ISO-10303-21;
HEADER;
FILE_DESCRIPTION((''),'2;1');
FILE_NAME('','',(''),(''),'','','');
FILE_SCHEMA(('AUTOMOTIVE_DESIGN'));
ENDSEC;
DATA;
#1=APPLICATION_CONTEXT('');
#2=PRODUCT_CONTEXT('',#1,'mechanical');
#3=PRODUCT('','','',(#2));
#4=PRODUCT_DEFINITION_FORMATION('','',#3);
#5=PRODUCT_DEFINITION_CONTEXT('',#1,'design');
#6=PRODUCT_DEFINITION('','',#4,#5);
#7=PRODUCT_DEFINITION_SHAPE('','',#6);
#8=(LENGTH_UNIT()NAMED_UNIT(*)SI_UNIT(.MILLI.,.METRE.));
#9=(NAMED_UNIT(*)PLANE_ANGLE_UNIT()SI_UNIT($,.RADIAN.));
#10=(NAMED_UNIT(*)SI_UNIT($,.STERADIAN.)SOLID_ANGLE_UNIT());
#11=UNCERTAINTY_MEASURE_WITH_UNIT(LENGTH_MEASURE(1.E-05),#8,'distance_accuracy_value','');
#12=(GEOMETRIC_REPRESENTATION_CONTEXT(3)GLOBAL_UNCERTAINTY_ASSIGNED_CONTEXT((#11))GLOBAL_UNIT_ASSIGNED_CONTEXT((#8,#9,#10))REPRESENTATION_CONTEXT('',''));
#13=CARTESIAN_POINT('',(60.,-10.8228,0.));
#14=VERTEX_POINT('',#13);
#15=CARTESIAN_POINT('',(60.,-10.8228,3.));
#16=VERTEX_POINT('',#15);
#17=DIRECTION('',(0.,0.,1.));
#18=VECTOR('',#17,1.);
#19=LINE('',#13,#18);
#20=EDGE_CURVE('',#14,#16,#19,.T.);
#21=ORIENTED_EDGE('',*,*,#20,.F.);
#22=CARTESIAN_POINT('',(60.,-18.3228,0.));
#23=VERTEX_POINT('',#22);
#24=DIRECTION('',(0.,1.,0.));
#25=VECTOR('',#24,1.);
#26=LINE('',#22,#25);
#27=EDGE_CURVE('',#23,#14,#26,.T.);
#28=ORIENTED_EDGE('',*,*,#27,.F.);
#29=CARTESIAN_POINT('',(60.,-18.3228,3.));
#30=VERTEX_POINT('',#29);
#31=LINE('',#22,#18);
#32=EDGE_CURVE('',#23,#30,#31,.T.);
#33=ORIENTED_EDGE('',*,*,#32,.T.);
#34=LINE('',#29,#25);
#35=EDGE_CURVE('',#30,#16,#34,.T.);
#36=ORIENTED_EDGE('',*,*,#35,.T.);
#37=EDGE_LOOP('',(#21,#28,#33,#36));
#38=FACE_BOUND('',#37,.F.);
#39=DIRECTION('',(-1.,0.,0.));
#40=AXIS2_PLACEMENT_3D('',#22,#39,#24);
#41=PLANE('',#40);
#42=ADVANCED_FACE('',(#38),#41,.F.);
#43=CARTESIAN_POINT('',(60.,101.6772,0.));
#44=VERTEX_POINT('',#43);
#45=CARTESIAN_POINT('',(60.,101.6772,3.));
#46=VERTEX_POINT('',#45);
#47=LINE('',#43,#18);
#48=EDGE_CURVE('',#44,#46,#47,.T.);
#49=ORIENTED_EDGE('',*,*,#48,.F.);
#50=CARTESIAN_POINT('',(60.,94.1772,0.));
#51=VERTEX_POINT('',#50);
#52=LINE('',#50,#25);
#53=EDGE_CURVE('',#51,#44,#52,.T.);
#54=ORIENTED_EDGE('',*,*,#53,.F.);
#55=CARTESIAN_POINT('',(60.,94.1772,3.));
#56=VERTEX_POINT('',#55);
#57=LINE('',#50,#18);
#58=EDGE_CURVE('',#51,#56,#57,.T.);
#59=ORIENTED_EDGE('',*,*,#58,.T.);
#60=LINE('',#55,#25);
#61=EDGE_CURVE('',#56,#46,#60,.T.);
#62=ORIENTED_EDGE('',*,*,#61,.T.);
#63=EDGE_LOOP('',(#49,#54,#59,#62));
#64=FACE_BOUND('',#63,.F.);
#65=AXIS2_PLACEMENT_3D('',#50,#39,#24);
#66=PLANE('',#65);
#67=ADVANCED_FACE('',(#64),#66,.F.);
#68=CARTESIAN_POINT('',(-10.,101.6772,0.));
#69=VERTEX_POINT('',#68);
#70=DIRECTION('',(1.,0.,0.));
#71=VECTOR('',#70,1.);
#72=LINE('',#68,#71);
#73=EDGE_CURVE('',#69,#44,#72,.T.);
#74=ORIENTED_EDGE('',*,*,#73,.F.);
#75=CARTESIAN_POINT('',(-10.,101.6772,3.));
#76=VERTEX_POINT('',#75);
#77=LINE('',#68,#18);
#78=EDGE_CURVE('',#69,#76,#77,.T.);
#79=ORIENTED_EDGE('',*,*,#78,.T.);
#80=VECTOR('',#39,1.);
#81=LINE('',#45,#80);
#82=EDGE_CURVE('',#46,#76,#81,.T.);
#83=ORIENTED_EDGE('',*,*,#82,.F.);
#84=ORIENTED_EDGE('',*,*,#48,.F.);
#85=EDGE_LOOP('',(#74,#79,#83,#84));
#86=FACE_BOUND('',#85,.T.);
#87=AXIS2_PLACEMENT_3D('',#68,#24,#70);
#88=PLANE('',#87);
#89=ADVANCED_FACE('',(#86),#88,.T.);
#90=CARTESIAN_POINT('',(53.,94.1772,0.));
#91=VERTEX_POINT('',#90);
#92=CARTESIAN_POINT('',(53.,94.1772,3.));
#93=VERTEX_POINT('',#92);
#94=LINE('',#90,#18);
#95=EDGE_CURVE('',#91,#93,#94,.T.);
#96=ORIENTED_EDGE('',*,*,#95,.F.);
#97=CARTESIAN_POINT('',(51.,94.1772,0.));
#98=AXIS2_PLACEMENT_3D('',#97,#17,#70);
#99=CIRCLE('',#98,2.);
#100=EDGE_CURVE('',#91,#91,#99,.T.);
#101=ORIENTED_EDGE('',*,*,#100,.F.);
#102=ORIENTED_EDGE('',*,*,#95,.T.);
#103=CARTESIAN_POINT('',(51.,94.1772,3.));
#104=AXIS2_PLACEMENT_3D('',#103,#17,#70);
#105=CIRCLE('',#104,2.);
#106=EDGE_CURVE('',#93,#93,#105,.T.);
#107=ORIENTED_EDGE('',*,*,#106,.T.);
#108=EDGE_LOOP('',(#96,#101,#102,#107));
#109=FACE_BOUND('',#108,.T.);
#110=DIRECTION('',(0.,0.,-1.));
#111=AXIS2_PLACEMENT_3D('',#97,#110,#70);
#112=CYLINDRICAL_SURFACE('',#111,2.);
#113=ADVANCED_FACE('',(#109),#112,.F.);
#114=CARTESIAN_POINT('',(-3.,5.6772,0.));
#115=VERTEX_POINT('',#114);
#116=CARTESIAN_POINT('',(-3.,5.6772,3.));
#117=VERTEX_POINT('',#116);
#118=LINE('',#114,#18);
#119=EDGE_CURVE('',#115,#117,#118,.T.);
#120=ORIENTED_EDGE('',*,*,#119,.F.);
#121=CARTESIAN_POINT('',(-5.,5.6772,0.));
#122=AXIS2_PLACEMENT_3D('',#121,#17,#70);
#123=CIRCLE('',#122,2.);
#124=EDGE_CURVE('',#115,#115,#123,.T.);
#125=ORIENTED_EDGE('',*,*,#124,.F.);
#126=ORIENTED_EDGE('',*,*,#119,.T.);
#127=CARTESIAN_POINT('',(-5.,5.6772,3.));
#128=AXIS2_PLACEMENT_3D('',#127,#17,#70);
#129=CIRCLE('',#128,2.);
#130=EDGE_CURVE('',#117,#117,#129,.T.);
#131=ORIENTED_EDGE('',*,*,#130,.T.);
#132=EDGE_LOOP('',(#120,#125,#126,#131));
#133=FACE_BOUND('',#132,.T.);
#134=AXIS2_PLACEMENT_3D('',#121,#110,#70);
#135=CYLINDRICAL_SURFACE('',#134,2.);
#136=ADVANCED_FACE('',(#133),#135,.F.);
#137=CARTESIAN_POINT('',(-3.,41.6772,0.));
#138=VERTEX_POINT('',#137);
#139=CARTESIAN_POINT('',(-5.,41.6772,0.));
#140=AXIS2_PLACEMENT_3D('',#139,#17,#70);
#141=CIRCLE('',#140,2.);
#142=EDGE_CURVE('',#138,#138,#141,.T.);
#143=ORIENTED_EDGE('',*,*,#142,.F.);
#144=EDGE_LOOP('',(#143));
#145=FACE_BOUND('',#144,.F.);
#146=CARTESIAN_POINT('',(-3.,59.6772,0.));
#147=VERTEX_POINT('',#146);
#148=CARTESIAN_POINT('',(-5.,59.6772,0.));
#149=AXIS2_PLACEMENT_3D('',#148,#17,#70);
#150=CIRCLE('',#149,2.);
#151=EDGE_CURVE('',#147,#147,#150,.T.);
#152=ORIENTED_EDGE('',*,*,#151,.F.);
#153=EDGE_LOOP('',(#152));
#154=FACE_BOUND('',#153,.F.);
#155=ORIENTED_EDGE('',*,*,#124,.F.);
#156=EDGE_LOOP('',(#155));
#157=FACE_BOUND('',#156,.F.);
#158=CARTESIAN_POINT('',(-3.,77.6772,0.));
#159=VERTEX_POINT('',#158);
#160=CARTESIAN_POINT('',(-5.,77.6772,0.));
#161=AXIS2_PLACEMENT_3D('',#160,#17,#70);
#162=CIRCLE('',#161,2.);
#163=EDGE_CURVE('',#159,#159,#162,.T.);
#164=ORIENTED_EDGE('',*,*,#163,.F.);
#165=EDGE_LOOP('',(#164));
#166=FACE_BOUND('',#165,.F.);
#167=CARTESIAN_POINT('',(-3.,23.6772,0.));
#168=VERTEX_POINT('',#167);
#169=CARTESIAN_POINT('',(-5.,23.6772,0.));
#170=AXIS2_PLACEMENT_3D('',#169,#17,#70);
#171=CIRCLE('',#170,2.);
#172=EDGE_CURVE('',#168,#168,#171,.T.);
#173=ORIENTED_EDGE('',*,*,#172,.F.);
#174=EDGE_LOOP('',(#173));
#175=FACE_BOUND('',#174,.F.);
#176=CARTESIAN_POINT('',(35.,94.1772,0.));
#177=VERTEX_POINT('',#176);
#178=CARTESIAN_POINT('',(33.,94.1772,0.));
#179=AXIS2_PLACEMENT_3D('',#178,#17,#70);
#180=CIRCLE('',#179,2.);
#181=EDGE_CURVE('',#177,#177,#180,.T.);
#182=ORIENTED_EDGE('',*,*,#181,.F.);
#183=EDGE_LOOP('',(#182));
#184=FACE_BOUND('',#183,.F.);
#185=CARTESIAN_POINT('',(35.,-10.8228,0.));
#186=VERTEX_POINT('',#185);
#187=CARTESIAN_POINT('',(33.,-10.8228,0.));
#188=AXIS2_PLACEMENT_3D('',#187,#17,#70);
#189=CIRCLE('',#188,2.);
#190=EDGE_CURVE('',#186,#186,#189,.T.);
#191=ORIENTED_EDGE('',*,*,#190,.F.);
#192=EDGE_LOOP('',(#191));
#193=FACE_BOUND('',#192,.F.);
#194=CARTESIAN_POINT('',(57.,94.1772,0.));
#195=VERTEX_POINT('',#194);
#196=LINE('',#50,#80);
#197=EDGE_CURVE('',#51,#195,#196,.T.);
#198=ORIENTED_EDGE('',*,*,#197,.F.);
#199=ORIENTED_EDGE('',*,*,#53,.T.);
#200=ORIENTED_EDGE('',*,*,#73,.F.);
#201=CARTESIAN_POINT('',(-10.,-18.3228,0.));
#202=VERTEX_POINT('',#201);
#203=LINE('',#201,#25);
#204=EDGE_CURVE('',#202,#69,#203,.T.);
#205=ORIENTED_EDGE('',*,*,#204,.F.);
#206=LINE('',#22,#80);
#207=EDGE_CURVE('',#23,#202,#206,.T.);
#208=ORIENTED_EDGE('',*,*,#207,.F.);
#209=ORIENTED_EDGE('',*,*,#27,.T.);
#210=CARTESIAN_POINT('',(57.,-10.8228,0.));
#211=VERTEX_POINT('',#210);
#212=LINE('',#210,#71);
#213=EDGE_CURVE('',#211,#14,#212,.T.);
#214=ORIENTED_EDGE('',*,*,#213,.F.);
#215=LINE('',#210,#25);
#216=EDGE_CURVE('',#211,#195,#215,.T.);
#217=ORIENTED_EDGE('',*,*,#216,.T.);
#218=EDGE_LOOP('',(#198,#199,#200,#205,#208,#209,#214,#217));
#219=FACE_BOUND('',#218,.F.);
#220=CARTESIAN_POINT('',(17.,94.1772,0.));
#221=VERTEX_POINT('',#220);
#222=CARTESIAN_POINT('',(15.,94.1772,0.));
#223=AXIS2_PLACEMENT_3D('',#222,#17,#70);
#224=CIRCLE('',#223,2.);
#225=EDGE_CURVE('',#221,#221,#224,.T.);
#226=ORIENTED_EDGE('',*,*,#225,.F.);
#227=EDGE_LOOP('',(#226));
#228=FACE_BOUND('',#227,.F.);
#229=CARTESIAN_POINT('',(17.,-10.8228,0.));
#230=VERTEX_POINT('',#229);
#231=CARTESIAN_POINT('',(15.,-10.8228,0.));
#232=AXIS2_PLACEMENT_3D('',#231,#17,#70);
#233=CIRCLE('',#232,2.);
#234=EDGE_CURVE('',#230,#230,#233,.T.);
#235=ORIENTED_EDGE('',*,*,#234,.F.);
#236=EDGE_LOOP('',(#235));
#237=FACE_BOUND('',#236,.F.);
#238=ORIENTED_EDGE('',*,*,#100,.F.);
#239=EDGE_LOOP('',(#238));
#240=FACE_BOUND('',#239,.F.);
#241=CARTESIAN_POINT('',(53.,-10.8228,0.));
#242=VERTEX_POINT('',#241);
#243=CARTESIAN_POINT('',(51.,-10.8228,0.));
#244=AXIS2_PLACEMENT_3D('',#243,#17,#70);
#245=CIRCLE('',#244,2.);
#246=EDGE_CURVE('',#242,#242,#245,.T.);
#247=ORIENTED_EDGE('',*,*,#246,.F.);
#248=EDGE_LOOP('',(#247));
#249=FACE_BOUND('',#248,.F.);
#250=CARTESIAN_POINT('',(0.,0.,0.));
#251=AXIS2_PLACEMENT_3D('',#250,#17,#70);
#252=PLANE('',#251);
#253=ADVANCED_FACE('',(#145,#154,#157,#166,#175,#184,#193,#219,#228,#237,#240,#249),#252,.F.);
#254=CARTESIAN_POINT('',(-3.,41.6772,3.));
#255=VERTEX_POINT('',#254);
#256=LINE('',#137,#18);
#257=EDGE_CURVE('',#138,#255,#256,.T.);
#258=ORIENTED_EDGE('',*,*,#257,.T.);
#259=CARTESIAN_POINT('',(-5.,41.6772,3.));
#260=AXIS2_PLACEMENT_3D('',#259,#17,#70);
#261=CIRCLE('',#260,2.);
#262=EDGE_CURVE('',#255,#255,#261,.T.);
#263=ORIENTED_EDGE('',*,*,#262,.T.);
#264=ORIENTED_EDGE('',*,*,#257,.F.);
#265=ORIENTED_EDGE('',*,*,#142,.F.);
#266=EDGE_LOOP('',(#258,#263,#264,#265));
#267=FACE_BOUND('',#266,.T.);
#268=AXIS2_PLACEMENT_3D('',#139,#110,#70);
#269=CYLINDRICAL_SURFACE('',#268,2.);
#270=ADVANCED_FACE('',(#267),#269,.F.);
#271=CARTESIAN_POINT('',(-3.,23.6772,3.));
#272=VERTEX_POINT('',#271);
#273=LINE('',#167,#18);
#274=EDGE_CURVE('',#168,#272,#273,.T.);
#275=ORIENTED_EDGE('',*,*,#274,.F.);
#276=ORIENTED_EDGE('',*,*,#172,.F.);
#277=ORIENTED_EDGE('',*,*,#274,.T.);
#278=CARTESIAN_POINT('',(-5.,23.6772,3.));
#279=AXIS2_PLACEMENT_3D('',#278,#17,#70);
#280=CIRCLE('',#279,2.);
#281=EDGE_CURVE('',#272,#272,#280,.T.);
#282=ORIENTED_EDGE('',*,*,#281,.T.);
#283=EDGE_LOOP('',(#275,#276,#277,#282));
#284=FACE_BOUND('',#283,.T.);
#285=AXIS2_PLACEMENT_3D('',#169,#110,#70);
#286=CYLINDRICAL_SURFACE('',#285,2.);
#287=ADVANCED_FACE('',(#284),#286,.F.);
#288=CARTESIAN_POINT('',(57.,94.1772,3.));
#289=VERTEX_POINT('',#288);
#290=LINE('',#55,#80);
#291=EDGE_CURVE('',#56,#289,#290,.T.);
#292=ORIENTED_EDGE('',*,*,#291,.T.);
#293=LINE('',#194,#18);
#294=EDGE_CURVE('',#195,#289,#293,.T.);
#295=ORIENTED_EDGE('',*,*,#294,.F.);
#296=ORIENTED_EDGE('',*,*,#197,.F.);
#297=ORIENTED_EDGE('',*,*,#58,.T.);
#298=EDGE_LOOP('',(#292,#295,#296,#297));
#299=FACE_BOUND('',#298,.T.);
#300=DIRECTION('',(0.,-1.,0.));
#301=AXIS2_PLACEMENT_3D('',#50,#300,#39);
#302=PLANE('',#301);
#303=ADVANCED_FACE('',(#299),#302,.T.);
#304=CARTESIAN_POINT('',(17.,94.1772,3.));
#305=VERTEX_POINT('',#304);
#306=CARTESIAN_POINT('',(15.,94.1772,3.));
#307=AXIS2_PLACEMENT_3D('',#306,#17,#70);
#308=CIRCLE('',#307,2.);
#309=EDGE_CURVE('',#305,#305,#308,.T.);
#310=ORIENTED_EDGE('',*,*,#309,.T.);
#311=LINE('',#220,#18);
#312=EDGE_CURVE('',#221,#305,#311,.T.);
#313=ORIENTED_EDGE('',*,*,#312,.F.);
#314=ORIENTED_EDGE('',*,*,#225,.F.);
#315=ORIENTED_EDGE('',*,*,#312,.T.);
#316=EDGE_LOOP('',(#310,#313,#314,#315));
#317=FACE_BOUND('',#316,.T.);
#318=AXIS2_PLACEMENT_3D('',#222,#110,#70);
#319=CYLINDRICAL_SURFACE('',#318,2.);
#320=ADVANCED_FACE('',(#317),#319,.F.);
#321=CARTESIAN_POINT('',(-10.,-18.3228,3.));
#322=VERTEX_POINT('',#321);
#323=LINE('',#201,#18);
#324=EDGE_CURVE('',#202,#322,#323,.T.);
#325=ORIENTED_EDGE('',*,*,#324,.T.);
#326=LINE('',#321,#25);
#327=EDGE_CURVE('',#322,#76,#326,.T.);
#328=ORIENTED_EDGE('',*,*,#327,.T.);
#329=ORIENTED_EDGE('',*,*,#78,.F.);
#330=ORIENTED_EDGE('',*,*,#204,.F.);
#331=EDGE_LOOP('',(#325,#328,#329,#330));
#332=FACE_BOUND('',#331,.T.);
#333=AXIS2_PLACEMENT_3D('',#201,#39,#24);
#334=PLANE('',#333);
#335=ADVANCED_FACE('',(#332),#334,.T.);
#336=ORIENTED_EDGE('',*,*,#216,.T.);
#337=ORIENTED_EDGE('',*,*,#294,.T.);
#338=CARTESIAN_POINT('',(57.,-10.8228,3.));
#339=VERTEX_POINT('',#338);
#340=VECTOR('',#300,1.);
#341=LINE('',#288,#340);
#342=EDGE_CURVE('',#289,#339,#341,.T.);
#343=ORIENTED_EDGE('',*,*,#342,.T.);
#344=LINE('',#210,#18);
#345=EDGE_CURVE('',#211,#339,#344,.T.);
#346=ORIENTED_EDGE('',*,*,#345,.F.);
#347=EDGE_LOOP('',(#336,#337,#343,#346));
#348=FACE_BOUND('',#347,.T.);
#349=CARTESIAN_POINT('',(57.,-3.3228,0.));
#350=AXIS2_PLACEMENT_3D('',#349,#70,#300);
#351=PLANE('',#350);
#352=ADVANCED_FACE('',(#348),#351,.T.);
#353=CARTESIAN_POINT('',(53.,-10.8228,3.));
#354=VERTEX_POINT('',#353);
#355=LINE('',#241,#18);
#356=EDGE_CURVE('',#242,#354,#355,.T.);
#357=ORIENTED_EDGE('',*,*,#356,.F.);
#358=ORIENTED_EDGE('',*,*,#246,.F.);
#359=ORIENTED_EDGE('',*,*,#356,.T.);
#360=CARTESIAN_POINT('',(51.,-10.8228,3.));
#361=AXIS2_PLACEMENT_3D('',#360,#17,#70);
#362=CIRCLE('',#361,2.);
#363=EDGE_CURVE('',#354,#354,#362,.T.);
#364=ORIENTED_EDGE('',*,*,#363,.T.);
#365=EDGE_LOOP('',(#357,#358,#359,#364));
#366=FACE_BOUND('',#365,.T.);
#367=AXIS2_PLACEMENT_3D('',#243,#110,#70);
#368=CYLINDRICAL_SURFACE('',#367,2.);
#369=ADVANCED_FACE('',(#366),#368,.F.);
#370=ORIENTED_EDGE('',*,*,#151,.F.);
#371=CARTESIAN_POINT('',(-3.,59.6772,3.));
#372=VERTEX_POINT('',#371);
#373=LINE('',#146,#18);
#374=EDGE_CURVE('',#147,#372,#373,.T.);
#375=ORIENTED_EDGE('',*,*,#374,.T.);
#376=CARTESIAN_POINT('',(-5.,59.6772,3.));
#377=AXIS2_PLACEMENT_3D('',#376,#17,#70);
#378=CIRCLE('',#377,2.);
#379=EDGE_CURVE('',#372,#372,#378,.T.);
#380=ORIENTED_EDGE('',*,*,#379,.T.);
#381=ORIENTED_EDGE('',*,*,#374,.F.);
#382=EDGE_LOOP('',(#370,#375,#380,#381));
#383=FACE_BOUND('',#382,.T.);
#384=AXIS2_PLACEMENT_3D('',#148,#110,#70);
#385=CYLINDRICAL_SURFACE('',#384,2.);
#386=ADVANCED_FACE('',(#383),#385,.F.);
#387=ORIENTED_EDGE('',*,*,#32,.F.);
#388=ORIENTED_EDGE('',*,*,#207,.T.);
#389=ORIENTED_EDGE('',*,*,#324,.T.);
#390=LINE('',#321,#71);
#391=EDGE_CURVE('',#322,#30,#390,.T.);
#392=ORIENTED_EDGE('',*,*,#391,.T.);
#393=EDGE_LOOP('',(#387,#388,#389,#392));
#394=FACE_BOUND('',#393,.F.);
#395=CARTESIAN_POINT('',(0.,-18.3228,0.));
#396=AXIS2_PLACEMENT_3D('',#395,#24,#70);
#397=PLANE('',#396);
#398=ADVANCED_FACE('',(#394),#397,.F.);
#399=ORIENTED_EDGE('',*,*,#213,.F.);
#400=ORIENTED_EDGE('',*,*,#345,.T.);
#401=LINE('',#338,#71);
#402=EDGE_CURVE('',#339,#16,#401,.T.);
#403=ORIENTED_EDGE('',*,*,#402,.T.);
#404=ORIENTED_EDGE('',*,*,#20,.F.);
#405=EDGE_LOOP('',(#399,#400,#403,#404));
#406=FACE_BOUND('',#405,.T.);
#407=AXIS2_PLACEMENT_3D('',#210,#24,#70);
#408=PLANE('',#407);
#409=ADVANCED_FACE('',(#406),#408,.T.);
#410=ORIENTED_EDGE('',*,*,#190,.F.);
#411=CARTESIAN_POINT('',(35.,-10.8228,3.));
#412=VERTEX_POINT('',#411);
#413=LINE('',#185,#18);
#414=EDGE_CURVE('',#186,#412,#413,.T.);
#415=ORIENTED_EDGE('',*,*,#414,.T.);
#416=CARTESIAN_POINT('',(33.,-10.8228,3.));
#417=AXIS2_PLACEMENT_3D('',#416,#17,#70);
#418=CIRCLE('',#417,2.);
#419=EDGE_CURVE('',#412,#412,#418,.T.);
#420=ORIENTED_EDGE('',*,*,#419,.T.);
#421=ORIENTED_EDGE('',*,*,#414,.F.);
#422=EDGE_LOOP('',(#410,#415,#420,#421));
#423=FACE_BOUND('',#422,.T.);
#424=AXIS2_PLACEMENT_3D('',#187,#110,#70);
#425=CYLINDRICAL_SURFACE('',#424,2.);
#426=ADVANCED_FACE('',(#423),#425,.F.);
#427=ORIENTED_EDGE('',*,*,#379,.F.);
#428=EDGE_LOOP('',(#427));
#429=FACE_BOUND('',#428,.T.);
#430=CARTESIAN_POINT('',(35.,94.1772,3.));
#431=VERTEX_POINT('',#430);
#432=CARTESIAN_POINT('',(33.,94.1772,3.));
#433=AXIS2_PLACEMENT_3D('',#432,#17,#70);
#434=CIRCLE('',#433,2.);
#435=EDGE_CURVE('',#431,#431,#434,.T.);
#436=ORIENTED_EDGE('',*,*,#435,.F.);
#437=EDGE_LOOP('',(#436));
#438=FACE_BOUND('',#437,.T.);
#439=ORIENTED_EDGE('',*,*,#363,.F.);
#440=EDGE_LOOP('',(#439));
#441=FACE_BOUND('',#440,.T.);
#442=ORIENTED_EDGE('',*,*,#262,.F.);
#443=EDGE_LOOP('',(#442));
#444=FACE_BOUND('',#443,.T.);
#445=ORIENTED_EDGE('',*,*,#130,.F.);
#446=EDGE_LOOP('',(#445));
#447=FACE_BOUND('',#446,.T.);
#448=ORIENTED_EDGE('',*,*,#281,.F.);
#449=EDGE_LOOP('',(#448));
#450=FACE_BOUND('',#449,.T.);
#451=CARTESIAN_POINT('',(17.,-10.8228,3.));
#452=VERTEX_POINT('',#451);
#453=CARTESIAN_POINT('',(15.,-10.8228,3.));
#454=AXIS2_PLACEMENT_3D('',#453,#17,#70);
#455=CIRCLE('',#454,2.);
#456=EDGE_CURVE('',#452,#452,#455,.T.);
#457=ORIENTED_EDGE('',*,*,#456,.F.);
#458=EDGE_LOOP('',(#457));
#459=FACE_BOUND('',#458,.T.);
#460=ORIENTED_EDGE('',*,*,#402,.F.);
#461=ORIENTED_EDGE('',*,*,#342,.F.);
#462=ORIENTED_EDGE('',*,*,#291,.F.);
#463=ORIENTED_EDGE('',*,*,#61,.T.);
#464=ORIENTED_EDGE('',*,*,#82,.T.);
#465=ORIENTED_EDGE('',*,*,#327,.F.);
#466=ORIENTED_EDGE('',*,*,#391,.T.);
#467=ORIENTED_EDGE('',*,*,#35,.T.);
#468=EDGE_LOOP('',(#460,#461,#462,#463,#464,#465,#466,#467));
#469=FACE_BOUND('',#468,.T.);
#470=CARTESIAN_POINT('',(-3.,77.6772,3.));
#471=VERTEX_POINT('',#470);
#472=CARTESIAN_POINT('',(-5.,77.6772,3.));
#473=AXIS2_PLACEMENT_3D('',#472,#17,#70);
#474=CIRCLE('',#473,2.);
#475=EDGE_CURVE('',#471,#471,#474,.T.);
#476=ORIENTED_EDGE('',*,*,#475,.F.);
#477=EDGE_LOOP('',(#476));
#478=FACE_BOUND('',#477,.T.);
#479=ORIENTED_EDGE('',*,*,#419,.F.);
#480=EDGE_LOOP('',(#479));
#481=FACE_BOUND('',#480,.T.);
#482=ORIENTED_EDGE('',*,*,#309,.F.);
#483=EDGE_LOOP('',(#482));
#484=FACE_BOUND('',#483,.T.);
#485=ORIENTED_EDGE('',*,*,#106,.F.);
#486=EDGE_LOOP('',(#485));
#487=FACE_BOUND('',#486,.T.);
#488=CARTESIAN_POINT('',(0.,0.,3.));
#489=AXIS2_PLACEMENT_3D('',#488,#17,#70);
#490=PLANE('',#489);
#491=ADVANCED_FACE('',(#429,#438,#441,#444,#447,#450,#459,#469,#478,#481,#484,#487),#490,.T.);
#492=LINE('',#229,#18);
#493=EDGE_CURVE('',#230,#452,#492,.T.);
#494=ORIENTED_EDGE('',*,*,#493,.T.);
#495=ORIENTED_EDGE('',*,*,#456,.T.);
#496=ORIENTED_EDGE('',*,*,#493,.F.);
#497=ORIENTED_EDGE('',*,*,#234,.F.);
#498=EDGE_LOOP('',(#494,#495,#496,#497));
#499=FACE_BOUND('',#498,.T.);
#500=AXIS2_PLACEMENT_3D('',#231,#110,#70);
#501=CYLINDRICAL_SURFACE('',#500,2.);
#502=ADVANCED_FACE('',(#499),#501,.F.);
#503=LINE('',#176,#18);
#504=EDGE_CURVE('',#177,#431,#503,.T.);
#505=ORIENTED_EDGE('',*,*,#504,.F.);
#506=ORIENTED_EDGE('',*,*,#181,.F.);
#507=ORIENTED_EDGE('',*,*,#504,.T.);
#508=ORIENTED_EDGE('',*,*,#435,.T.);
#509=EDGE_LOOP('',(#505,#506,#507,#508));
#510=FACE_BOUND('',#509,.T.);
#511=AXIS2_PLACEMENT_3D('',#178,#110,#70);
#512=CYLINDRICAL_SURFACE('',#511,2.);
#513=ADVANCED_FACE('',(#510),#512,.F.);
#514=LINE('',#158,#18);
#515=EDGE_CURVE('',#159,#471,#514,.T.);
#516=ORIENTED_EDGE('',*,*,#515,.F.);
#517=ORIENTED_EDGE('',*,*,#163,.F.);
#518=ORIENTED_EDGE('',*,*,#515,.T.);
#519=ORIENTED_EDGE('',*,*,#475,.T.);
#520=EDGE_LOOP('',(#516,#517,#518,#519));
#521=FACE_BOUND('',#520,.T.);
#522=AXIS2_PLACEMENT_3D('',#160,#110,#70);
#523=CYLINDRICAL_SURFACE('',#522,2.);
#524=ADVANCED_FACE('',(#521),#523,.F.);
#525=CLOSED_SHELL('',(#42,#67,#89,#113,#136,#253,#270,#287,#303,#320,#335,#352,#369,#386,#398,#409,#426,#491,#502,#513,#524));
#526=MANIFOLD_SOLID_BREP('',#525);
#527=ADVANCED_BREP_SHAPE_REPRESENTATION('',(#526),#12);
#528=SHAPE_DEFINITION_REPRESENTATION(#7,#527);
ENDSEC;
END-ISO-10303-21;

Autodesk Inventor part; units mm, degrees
ref_plane "YZ Plane" through (0, 0, 0) normal (1, 0, 0) x (0, 1, 0)
ref_plane "XZ Plane" through (0, 0, 0) normal (0, 1, 0) x (-1, 0, 0)
ref_plane "XY Plane" through (0, 0, 0) normal (0, 0, 1) x (1, 0, 0)
sketch "Sketch3" plane through (0, 0, 0) normal (0, 0, 1) x (1, 0, 0)
  circle A0 centre (51, -10.8228) radius 2 projected
  circle A1 centre (33, -10.8228) radius 2 projected
  circle A2 centre (15, -10.8228) radius 2 projected
  line L0 (0, -18.3228) -> (60, -18.3228) projected
  line L1 (0, -18.3228) -> (0, -13.3228) projected
  line L2 (10, -13.3228) -> (0, -13.3228) projected
  line L3 (10, -3.3228) -> (10, -13.3228) projected
  line L4 (10, -3.3228) -> (57, -3.3228) projected
  line L5 (60, -18.3228) -> (60, -10.8228) projected
  circle A3 centre (-5, 77.6772) radius 2 projected
  circle A4 centre (-5, 59.6772) radius 2 projected
  circle A5 centre (-5, 23.6772) radius 2 projected
  circle A6 centre (-5, 5.6772) radius 2 projected
  circle A7 centre (-5, 41.6772) radius 2 projected
  line L6 (-10, -18.3228) -> (-10, 101.6772) projected
  line L7 (-10, 101.6772) -> (0, 101.6772) projected
  line L8 (0, 96.6772) -> (0, 101.6772) projected
  line L9 (0, 96.6772) -> (10, 96.6772) projected
  line L10 (10, -13.3228) -> (10, 96.6772) projected
  line L11 (0, -13.3228) -> (10, -13.3228) projected
  line L12 (0, -18.3228) -> (0, -13.3228) projected
  line L13 (-10, -18.3228) -> (0, -18.3228) projected
  circle A8 centre (51, 94.1772) radius 2 projected
  circle A9 centre (33, 94.1772) radius 2 projected
  circle A10 centre (15, 94.1772) radius 2 projected
  line L14 (0, 101.6772) -> (60, 101.6772) projected
  line L15 (60, 94.1772) -> (60, 101.6772) projected
  line L16 (10, 86.6772) -> (57, 86.6772) projected
  line L17 (10, 96.6772) -> (10, 86.6772) projected
  line L18 (0, 96.6772) -> (10, 96.6772) projected
  line L19 (0, 101.6772) -> (0, 96.6772) projected
  line L20 (57, -10.8228) -> (60, -10.8228) projected
  line L21 (57, -3.3228) -> (57, -10.8228) projected
  line L22 (60, 94.1772) -> (57, 94.1772) projected
  line L23 (57, 94.1772) -> (57, 86.6772) projected
  line L24 (57, 86.6772) -> (57, -4.2516)
  point P0 (0, 0)
extrude "Extrusion2" add sketch "Sketch3" along normal blind 3
properties part number "КВ33.000.103 - Стенка тонкая"
